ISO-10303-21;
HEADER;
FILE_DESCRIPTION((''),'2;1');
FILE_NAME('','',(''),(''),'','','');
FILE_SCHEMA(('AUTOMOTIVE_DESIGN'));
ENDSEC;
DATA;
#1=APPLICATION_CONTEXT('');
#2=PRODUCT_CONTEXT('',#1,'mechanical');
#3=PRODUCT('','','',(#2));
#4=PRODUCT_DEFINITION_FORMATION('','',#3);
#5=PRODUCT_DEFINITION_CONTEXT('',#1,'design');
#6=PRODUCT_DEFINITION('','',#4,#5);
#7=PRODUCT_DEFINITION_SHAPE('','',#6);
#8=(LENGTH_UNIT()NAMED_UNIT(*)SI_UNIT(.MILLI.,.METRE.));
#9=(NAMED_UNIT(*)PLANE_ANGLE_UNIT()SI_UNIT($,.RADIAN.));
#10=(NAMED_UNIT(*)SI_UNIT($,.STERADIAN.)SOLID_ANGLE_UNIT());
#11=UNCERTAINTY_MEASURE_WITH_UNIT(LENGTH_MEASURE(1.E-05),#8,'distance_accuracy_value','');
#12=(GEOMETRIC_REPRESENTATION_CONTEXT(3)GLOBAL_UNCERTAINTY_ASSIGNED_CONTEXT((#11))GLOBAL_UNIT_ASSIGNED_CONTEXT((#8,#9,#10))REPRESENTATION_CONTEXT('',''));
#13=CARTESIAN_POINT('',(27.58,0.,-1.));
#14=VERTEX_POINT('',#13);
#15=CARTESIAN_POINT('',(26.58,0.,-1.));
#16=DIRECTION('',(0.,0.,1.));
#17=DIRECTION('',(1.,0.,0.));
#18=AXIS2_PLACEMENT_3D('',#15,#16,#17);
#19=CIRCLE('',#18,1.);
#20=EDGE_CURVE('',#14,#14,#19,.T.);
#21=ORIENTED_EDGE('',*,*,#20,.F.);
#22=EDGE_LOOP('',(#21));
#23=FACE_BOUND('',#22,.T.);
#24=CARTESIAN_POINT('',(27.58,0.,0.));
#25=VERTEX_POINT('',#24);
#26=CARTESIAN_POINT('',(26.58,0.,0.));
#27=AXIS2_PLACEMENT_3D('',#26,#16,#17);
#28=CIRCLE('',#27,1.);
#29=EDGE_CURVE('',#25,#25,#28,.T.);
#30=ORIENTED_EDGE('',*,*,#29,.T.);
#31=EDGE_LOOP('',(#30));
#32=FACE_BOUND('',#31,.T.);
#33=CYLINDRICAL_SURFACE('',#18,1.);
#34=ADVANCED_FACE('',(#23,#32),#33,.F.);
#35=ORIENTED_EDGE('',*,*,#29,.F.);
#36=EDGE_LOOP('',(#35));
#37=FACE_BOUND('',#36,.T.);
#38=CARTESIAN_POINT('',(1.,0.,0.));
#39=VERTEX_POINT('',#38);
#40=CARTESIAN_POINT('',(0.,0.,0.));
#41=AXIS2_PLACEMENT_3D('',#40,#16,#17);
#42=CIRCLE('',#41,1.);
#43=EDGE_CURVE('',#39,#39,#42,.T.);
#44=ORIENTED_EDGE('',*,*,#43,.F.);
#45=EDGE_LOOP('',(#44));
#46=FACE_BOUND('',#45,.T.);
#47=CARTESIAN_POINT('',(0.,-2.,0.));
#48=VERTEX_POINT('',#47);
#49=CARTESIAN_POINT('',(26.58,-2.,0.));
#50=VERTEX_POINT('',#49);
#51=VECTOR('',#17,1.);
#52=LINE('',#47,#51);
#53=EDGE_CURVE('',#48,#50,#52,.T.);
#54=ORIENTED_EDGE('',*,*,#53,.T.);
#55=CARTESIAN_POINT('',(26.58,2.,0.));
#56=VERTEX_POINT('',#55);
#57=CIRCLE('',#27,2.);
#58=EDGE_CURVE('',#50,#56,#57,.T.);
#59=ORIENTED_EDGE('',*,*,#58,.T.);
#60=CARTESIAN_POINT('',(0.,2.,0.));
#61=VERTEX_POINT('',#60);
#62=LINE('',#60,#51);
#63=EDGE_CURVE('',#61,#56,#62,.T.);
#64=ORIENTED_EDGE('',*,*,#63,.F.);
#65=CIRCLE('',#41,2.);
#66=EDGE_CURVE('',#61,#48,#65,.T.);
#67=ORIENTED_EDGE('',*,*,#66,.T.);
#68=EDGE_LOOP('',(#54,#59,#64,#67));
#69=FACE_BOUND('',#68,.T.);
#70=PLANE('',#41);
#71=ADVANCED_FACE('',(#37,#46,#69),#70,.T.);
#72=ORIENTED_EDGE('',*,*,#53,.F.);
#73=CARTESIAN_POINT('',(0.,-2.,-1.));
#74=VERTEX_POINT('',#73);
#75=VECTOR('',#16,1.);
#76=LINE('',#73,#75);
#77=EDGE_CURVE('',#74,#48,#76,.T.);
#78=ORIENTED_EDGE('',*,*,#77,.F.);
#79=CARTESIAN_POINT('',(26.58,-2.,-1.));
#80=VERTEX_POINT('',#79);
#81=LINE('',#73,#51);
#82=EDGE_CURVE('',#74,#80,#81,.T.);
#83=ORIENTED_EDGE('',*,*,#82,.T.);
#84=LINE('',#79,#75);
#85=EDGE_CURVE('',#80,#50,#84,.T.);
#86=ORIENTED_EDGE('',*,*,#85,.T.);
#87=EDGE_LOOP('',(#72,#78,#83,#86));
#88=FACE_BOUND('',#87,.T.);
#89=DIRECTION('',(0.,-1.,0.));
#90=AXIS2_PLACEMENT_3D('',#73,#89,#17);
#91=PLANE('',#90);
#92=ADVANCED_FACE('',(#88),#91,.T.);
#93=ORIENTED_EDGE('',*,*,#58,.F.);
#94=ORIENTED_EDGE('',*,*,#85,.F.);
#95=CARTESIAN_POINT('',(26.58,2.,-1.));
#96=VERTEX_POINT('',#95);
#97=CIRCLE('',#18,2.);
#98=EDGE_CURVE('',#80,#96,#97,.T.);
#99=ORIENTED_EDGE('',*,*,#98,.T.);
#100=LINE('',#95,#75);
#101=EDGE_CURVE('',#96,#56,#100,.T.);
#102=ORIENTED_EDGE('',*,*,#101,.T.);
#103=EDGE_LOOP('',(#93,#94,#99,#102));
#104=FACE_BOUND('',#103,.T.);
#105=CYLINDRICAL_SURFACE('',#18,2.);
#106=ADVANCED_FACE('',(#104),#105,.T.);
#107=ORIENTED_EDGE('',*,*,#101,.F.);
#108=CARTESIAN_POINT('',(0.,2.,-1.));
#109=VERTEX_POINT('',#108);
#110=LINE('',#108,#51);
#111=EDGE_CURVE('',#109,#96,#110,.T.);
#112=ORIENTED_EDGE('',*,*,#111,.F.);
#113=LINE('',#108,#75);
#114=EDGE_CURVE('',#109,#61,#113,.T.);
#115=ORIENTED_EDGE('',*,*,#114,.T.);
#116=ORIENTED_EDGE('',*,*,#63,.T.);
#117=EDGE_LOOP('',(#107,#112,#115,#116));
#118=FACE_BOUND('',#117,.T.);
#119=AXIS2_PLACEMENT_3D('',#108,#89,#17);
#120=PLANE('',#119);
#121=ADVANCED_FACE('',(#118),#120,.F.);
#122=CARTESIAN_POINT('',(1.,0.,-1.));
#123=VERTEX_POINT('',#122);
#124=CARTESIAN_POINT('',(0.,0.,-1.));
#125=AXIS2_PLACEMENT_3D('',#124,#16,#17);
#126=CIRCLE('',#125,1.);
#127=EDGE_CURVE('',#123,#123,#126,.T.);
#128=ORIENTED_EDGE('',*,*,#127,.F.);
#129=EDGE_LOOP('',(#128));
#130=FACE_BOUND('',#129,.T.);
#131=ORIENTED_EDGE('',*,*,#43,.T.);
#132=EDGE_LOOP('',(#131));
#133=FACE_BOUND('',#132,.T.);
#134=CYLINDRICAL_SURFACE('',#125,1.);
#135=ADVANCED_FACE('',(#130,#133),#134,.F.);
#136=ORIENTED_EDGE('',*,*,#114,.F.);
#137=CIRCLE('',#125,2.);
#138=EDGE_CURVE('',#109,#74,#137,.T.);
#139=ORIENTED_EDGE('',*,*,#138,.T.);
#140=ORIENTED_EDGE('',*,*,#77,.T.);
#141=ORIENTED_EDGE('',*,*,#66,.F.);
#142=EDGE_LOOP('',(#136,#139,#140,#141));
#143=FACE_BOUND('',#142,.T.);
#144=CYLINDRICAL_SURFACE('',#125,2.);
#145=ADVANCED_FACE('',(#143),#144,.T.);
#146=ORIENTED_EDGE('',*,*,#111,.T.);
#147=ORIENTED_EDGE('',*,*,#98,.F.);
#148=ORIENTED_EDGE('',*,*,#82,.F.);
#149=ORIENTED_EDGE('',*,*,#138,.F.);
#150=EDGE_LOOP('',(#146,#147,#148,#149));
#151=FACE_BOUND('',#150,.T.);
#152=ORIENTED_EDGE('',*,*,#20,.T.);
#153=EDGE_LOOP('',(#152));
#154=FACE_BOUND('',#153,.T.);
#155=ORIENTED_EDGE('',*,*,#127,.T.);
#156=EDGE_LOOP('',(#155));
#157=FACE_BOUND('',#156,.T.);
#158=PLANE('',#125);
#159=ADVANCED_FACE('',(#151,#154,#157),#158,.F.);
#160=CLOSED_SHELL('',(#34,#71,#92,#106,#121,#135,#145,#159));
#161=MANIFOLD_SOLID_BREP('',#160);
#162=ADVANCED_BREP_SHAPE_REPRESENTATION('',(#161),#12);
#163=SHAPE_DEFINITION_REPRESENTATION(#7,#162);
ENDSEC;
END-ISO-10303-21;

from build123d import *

# Parameters (mm, degrees)
SKETCH1_R      = 1
EXTRUDE1_DEPTH = 1


with BuildPart() as part:
    # Sketch1 → Extrude1 (new body)
    with BuildSketch(Plane.XY):
        with BuildLine():
            ThreePointArc((0, 2), (-2, 0), (0, -2))
            Line((0, -2), (26.58, -2))
            ThreePointArc((26.58, -2), (28.58, 0), (26.58, 2))
            Line((26.58, 2), (0, 2))
        make_face()
        Circle(SKETCH1_R, mode=Mode.SUBTRACT)
        with Locations((26.58, 0)):
            Circle(SKETCH1_R, mode=Mode.SUBTRACT)
    extrude(amount=-EXTRUDE1_DEPTH)


solid = part.part
